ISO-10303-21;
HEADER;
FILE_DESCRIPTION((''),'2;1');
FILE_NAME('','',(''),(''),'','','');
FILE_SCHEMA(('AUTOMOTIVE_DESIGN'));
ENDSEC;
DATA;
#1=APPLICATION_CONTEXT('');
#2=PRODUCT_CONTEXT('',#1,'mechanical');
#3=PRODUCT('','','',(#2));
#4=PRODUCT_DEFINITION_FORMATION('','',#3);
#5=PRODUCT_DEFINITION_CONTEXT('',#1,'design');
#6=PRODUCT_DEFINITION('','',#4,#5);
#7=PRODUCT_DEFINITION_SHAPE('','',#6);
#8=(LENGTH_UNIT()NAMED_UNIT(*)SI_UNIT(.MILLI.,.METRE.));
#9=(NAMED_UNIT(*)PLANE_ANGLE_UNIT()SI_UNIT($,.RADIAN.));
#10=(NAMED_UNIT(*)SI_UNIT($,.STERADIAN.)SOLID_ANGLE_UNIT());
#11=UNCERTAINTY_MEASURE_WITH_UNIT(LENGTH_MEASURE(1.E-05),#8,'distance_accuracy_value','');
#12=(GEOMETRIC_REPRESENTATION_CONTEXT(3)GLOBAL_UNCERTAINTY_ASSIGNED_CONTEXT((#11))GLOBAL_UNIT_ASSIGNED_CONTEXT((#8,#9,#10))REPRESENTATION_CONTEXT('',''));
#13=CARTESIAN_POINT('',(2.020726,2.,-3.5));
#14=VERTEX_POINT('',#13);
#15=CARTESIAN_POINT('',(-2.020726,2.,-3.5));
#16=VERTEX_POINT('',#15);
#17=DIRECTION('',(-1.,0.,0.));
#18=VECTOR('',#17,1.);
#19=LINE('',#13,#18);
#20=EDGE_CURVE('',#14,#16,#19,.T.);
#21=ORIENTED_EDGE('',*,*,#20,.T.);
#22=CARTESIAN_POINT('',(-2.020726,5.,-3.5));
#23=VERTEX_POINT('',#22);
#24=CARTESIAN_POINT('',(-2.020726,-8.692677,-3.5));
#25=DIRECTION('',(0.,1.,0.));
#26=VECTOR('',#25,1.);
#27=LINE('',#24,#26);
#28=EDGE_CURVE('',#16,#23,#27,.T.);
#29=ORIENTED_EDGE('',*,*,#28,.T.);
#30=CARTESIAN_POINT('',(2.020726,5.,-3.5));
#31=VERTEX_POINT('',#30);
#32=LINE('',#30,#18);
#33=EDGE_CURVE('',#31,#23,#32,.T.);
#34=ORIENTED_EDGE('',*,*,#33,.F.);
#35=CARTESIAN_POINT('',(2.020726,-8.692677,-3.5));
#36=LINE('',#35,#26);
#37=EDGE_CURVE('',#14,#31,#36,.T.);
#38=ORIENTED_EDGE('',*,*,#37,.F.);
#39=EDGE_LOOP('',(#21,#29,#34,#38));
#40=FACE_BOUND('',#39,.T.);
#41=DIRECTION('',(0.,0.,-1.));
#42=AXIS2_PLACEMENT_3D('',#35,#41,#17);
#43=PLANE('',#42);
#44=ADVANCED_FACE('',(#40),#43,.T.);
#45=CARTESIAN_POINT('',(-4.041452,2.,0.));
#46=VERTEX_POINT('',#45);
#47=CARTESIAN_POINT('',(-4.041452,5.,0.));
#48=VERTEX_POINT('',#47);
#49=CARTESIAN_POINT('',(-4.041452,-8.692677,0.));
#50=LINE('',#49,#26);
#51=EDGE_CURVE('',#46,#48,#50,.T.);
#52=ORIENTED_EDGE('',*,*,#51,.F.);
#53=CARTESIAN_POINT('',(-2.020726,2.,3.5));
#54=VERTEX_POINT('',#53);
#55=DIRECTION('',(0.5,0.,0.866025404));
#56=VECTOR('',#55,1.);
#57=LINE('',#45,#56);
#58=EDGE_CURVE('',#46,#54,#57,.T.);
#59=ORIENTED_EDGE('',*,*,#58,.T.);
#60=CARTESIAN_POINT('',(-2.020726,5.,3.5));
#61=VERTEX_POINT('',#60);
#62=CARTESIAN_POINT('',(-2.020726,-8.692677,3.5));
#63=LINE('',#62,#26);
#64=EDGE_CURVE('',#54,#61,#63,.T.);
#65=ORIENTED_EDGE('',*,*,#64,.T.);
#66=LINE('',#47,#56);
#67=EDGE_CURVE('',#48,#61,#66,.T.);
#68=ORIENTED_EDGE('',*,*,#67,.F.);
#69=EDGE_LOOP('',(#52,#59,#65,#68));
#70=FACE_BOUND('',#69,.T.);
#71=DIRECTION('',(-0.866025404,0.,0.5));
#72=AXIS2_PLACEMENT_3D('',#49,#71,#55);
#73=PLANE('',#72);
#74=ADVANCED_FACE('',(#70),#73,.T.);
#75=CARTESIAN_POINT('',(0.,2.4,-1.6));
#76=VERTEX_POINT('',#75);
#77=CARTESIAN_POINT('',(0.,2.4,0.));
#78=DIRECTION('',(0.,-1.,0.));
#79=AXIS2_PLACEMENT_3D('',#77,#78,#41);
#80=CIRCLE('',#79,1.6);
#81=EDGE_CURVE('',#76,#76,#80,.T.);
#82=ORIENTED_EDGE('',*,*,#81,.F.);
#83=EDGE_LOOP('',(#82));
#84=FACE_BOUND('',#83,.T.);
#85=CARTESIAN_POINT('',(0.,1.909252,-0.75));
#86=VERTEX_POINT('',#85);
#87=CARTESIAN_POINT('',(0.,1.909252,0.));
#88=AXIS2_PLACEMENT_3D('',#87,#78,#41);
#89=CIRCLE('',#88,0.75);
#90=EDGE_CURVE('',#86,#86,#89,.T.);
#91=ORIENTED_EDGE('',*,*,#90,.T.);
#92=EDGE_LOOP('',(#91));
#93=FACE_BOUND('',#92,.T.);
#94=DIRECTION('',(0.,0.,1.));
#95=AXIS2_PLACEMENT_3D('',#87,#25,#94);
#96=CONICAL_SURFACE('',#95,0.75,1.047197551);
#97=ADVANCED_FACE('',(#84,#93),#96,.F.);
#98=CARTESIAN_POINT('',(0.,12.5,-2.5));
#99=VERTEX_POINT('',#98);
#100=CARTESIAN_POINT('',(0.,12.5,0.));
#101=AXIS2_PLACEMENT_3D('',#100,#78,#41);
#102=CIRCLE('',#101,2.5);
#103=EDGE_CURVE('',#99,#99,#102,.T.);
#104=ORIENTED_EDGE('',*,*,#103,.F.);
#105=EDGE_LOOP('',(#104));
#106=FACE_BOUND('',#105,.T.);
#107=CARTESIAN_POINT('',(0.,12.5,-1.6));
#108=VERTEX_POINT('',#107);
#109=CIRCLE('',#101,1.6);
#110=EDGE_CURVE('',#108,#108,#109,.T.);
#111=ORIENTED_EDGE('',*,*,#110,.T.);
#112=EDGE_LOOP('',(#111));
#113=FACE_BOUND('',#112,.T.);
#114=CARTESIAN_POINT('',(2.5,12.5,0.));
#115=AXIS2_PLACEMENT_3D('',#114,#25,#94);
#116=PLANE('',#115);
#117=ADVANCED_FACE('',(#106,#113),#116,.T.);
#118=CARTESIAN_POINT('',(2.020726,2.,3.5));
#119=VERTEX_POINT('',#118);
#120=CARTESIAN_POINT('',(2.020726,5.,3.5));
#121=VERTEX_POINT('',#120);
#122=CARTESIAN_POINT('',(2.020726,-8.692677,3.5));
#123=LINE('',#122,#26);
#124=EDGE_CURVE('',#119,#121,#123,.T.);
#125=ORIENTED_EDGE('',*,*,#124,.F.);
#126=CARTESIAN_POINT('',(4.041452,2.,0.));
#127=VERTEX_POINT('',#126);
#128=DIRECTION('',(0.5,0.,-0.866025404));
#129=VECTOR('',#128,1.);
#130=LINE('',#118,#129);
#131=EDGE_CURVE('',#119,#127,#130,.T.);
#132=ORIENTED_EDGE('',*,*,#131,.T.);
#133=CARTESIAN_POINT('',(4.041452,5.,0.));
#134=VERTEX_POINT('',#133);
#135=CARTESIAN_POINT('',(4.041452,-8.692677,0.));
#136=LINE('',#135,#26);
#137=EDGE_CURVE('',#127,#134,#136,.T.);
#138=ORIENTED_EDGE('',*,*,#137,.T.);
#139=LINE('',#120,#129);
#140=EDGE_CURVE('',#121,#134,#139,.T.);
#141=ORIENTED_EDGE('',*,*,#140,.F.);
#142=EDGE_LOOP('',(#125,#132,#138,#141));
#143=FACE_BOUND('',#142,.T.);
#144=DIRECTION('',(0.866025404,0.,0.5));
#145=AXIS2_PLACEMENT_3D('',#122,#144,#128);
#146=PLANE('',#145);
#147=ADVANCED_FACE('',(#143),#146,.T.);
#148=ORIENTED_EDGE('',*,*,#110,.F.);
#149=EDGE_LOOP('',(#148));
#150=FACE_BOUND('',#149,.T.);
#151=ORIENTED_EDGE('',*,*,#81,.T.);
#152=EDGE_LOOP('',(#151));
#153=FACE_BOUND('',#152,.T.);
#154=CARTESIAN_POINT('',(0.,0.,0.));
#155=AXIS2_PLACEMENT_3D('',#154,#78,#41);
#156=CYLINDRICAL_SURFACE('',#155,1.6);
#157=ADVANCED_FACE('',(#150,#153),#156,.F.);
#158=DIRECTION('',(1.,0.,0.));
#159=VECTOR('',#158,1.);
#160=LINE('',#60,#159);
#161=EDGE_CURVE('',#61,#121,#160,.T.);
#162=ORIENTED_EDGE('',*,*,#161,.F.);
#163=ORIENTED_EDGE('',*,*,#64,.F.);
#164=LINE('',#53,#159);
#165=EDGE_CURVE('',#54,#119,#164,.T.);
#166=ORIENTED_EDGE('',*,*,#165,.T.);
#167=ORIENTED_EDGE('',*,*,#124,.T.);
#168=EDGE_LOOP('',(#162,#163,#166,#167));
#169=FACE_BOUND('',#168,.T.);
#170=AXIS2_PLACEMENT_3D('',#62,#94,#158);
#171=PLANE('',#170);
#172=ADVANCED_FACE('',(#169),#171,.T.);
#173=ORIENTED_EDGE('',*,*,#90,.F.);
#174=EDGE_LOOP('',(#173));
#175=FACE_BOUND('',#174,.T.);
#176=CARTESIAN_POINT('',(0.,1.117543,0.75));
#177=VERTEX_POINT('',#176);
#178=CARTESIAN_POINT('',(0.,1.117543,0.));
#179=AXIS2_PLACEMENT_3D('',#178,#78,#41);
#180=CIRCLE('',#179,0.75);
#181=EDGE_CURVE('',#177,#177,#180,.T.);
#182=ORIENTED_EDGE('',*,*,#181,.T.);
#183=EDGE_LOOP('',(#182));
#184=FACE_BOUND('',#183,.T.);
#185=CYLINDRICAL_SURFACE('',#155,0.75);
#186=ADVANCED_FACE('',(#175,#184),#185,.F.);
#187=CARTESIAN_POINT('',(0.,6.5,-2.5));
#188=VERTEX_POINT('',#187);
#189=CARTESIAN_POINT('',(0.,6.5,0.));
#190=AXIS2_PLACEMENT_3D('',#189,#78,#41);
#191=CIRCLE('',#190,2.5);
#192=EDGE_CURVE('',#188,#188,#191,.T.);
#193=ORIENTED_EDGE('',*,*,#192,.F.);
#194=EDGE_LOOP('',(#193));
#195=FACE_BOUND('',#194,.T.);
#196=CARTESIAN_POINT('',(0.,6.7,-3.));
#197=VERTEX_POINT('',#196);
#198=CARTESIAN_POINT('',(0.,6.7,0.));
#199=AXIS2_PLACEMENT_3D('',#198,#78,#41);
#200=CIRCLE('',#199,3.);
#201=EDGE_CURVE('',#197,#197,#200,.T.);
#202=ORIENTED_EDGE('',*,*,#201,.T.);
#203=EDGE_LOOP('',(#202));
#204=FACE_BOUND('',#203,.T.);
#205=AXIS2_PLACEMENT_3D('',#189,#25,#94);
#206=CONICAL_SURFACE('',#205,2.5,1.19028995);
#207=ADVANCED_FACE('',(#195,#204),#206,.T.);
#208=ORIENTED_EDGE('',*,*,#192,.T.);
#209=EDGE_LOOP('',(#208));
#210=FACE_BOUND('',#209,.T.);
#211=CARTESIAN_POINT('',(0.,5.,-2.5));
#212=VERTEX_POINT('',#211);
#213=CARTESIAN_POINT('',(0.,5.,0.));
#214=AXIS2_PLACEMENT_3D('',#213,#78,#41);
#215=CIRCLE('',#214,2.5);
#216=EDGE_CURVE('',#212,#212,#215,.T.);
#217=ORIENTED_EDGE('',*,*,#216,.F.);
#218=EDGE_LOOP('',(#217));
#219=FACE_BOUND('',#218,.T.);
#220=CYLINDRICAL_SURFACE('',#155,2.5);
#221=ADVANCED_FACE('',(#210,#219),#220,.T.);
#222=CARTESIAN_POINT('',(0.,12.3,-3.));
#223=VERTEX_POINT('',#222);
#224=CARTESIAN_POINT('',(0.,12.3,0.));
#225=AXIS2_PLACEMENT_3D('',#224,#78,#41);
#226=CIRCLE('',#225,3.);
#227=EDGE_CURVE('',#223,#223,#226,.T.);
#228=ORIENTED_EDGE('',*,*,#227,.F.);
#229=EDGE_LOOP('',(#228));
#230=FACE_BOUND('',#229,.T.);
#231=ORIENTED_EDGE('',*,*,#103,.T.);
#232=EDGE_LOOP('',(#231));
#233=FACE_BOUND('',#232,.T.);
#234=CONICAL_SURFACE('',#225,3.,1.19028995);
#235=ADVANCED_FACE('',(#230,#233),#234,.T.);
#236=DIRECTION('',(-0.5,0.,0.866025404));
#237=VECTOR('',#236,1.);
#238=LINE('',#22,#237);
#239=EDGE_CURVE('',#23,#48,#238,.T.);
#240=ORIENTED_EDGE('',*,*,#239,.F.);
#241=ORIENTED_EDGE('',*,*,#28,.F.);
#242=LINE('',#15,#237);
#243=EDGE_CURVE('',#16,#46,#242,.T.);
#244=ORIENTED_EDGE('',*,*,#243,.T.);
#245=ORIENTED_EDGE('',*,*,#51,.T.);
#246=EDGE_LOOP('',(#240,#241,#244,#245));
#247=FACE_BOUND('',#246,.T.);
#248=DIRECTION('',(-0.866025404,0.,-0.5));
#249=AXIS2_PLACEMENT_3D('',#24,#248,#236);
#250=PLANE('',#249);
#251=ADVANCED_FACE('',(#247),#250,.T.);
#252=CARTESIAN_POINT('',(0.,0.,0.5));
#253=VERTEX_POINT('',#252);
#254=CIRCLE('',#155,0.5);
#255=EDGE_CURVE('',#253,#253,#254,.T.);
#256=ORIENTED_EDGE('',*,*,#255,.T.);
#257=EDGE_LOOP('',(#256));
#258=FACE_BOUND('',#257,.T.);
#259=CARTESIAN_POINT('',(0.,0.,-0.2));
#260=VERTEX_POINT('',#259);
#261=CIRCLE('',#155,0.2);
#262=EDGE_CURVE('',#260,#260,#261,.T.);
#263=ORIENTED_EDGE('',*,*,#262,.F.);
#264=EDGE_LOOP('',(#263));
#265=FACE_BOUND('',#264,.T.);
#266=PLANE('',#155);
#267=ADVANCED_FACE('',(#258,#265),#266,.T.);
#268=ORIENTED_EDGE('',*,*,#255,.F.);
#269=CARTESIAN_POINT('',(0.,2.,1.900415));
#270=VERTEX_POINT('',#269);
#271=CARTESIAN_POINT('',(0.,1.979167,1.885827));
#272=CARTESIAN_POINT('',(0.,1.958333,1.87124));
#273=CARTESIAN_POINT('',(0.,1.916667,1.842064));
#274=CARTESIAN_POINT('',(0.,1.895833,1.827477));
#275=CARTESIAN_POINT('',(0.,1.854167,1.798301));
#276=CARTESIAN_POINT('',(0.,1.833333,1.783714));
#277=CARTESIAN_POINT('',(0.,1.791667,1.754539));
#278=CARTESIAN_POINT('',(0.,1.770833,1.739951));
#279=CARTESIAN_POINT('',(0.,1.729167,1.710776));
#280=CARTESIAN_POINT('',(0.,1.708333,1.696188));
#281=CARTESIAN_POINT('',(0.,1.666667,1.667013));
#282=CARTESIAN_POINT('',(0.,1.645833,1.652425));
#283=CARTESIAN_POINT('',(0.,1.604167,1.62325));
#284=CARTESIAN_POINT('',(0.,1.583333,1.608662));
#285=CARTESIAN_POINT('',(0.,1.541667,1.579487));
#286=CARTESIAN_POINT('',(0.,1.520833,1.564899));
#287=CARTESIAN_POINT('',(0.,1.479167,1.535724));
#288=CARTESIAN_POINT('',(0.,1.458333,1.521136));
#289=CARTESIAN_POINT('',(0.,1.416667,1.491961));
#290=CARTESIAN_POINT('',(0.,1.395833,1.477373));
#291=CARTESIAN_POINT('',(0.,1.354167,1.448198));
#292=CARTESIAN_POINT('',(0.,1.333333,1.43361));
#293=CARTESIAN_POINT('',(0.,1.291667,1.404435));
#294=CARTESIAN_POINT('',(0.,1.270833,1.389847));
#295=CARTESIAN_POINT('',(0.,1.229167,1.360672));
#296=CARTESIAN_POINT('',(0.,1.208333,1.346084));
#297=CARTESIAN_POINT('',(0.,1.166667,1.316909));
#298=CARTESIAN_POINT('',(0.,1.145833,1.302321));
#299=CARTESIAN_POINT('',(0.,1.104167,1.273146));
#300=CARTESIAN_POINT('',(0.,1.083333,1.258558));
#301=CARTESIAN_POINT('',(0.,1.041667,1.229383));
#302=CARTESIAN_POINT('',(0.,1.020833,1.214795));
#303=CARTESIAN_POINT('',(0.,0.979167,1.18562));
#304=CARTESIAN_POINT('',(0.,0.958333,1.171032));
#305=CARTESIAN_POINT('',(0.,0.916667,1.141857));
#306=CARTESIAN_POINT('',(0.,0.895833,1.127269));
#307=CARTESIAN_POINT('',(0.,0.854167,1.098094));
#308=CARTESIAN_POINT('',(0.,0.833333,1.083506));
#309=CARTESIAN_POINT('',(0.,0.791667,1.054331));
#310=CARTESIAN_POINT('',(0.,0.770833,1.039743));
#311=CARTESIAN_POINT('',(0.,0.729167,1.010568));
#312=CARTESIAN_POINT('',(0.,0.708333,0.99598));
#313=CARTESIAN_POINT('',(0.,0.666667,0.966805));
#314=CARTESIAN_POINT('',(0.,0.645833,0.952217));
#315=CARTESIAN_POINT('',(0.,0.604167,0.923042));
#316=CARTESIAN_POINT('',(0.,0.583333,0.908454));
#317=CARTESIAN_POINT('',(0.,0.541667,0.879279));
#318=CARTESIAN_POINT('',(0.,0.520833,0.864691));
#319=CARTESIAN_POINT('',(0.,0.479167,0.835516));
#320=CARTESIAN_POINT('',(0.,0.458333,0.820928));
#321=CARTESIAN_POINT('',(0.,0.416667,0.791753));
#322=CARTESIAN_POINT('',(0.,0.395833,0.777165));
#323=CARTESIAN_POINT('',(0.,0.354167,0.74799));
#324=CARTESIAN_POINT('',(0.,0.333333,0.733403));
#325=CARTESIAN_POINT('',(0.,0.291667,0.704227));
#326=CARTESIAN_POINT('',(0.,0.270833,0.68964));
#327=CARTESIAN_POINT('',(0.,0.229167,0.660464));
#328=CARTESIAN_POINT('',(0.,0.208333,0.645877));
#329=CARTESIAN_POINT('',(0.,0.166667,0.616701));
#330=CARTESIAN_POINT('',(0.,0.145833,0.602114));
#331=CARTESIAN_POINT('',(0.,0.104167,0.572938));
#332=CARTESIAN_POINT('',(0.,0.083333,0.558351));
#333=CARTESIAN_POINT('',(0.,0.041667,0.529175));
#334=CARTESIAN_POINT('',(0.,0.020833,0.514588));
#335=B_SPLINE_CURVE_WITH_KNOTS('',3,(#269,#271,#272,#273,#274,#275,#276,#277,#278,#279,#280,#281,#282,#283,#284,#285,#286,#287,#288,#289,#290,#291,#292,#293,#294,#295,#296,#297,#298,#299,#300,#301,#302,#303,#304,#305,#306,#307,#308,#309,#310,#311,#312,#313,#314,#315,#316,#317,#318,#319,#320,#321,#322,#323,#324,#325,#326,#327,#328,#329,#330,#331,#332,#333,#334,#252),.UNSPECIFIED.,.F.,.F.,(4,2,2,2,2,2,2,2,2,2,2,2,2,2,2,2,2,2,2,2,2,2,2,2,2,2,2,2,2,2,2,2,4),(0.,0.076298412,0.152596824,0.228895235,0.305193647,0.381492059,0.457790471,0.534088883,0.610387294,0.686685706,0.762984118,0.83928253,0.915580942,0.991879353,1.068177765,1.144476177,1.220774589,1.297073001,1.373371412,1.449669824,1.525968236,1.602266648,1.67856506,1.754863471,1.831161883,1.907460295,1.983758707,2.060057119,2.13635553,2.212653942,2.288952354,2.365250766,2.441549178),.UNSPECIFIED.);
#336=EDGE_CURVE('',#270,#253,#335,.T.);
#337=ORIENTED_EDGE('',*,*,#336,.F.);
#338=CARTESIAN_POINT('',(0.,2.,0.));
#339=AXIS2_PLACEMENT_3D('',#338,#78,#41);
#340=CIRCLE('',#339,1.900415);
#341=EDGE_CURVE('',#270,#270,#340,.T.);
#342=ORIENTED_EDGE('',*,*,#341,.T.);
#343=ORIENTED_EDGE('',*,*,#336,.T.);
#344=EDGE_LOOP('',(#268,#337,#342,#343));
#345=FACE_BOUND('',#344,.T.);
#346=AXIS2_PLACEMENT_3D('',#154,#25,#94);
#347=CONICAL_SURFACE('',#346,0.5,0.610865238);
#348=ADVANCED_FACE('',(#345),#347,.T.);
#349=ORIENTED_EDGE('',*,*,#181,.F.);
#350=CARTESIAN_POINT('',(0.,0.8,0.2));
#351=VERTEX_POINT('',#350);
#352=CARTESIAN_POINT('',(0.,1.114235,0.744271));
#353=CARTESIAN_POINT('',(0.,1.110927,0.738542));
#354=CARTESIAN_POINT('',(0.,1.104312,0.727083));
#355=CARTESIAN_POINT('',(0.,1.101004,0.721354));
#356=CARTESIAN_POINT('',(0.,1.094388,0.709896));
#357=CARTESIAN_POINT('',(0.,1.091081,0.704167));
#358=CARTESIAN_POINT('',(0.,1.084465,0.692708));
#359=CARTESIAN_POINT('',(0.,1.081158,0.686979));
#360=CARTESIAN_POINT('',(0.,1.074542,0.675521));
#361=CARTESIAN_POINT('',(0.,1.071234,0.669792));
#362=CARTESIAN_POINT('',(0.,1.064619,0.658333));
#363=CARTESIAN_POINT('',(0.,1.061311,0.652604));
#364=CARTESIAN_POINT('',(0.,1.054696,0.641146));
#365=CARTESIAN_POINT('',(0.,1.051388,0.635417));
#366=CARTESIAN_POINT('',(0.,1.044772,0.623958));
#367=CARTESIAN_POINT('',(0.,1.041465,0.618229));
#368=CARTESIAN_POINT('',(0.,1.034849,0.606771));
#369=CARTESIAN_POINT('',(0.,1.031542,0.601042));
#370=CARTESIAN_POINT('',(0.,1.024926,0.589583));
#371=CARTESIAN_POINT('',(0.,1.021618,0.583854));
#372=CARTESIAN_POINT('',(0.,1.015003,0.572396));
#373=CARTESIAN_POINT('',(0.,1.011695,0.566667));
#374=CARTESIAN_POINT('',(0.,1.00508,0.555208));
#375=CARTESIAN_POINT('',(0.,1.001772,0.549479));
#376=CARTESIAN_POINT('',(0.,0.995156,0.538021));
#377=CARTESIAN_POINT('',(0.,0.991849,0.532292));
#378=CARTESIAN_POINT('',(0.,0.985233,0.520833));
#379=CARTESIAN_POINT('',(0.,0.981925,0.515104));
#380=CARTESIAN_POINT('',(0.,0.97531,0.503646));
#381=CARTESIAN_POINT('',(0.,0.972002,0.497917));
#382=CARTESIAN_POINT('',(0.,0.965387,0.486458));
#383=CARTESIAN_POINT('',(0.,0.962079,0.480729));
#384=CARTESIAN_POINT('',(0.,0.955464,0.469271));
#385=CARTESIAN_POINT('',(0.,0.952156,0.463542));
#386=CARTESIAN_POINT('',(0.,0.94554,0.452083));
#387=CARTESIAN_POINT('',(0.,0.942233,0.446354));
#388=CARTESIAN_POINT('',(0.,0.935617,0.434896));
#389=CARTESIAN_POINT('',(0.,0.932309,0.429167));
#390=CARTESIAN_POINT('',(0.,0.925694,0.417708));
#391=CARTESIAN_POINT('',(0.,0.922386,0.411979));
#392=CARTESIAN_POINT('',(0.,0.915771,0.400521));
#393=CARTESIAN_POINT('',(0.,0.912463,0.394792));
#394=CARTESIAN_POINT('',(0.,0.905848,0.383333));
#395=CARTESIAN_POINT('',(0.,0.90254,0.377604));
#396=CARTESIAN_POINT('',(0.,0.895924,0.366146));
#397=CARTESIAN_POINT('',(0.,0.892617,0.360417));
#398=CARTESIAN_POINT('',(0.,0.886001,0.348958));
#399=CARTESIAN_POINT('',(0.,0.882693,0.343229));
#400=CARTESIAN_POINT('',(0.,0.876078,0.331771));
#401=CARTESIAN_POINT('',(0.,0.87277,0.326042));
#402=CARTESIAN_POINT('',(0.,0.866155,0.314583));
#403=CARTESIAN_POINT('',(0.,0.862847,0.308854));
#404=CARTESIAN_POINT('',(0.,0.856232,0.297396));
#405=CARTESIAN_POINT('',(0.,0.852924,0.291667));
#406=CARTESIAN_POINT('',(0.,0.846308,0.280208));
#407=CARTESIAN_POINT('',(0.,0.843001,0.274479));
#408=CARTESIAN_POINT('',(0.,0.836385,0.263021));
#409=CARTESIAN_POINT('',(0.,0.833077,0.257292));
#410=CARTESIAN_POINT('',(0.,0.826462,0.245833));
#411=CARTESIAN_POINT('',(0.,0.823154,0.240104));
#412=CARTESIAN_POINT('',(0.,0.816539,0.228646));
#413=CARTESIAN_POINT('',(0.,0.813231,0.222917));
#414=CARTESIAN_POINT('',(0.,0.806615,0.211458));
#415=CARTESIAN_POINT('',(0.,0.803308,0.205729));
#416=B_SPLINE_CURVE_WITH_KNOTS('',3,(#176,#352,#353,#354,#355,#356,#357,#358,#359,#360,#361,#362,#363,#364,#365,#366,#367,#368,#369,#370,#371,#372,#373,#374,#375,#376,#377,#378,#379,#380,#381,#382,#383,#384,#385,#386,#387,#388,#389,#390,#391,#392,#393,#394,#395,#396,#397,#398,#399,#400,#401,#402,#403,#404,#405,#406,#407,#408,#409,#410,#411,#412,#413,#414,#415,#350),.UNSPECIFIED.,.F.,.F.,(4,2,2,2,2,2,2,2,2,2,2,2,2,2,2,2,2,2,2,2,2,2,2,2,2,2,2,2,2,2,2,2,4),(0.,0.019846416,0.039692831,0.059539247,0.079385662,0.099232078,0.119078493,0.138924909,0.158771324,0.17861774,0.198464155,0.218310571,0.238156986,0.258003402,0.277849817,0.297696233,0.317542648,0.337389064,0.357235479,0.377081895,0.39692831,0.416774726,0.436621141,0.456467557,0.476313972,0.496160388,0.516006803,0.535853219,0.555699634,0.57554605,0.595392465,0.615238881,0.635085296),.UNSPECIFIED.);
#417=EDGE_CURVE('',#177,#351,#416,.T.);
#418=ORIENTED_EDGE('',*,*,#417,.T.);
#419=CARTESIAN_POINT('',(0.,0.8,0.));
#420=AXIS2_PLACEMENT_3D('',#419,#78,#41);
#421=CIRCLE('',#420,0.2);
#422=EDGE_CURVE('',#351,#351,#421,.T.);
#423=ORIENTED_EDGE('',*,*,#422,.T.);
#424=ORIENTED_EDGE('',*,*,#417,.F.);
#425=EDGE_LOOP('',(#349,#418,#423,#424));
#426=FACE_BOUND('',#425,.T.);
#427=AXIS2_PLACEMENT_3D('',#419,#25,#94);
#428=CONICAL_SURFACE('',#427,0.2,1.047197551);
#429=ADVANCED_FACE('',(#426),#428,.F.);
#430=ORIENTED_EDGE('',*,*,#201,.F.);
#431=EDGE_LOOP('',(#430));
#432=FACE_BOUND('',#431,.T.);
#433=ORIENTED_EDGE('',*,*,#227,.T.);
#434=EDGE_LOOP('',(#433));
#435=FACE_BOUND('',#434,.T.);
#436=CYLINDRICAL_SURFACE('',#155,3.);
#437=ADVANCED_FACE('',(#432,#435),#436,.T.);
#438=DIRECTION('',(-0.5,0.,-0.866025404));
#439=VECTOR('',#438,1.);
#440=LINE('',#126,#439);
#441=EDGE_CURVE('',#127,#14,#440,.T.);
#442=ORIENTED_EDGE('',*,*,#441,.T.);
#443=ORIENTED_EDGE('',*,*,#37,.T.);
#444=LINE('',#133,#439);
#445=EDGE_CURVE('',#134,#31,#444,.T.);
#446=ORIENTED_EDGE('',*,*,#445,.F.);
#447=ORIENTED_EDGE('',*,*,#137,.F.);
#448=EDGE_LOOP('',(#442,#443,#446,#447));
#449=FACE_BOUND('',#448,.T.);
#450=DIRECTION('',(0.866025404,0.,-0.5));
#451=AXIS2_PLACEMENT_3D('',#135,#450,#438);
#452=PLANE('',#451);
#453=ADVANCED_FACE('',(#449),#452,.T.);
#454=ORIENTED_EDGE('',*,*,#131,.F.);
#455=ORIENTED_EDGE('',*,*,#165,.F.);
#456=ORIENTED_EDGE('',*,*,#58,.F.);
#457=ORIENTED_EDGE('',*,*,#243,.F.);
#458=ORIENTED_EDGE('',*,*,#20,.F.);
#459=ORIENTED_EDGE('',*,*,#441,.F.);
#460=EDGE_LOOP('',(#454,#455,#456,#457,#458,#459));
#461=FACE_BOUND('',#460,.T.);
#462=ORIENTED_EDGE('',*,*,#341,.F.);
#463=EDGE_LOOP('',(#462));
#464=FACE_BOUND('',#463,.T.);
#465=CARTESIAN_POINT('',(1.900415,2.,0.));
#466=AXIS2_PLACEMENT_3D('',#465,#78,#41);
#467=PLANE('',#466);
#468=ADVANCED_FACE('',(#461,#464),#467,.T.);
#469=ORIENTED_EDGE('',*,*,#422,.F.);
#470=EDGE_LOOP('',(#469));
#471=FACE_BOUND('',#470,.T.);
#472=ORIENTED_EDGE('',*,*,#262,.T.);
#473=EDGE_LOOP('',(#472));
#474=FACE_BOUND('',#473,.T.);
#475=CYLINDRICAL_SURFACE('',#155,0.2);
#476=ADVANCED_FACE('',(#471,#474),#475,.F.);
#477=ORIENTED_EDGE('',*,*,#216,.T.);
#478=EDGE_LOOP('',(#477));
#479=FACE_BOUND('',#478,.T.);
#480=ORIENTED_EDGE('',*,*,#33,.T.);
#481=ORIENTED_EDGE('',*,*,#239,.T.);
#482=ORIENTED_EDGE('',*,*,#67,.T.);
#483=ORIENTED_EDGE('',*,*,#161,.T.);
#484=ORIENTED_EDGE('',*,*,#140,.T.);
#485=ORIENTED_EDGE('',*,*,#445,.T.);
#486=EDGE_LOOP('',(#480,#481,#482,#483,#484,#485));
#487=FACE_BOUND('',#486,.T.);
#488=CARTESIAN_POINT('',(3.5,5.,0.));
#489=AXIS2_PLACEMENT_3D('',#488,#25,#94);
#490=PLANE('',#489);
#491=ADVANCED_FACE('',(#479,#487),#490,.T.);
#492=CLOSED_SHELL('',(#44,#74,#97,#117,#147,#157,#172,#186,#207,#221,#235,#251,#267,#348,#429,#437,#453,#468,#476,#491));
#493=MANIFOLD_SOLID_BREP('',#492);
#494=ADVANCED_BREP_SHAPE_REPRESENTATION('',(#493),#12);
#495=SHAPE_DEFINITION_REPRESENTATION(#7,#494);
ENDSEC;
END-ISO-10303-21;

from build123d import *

# Parameters (mm, degrees)
BOSS_EXTRUDE1_DEPTH = 3


with BuildPart() as part:
    # Sketch1 → Revolve1 (revolve)
    with BuildSketch(Plane.XY, mode=Mode.PRIVATE) as revolve1_sk:
        Polygon((0, 0), (0.5, 0), (1.900415076, 2), (3.5, 2), (3.5, 5), (2.5, 5), (2.5, 6.5), (3, 6.7), (3, 12.3), (2.5, 12.5), (0, 12.5), align=None)
    revolve(revolve1_sk.sketch.rotate(Axis((0, 0, 0), (0, 1, 0)), 90), axis=Axis((0, 0, 0), (0, 1, 0)))

    # Sketch2 → Boss-Extrude1 (add)
    with BuildSketch(Plane(origin=(0, 5, 0), x_dir=(1, 0, 0), z_dir=(0, 1, 0))):
        Polygon((2.020725942, 3.5), (-2.020725942, 3.5), (-4.041451884, 0), (-2.020725942, -3.5), (2.020725942, -3.5), (4.041451884, 0), align=None)
    extrude(amount=-BOSS_EXTRUDE1_DEPTH)

    # Sketch3 → Cut-Revolve1 (revolve, cut)
    with BuildSketch(Plane.XY, mode=Mode.PRIVATE) as cut_revolve1_sk:
        Polygon((0, 0), (0.2, 0), (0.2, 0.8), (0.75, 1.117542648), (0.75, 1.909252271), (1.6, 2.4), (1.6, 12.5), (0, 12.5), align=None)
    revolve(cut_revolve1_sk.sketch.rotate(Axis((0, 0, 0), (0, 1, 0)), 90), axis=Axis((0, 0, 0), (0, 1, 0)), mode=Mode.SUBTRACT)


solid = part.part
